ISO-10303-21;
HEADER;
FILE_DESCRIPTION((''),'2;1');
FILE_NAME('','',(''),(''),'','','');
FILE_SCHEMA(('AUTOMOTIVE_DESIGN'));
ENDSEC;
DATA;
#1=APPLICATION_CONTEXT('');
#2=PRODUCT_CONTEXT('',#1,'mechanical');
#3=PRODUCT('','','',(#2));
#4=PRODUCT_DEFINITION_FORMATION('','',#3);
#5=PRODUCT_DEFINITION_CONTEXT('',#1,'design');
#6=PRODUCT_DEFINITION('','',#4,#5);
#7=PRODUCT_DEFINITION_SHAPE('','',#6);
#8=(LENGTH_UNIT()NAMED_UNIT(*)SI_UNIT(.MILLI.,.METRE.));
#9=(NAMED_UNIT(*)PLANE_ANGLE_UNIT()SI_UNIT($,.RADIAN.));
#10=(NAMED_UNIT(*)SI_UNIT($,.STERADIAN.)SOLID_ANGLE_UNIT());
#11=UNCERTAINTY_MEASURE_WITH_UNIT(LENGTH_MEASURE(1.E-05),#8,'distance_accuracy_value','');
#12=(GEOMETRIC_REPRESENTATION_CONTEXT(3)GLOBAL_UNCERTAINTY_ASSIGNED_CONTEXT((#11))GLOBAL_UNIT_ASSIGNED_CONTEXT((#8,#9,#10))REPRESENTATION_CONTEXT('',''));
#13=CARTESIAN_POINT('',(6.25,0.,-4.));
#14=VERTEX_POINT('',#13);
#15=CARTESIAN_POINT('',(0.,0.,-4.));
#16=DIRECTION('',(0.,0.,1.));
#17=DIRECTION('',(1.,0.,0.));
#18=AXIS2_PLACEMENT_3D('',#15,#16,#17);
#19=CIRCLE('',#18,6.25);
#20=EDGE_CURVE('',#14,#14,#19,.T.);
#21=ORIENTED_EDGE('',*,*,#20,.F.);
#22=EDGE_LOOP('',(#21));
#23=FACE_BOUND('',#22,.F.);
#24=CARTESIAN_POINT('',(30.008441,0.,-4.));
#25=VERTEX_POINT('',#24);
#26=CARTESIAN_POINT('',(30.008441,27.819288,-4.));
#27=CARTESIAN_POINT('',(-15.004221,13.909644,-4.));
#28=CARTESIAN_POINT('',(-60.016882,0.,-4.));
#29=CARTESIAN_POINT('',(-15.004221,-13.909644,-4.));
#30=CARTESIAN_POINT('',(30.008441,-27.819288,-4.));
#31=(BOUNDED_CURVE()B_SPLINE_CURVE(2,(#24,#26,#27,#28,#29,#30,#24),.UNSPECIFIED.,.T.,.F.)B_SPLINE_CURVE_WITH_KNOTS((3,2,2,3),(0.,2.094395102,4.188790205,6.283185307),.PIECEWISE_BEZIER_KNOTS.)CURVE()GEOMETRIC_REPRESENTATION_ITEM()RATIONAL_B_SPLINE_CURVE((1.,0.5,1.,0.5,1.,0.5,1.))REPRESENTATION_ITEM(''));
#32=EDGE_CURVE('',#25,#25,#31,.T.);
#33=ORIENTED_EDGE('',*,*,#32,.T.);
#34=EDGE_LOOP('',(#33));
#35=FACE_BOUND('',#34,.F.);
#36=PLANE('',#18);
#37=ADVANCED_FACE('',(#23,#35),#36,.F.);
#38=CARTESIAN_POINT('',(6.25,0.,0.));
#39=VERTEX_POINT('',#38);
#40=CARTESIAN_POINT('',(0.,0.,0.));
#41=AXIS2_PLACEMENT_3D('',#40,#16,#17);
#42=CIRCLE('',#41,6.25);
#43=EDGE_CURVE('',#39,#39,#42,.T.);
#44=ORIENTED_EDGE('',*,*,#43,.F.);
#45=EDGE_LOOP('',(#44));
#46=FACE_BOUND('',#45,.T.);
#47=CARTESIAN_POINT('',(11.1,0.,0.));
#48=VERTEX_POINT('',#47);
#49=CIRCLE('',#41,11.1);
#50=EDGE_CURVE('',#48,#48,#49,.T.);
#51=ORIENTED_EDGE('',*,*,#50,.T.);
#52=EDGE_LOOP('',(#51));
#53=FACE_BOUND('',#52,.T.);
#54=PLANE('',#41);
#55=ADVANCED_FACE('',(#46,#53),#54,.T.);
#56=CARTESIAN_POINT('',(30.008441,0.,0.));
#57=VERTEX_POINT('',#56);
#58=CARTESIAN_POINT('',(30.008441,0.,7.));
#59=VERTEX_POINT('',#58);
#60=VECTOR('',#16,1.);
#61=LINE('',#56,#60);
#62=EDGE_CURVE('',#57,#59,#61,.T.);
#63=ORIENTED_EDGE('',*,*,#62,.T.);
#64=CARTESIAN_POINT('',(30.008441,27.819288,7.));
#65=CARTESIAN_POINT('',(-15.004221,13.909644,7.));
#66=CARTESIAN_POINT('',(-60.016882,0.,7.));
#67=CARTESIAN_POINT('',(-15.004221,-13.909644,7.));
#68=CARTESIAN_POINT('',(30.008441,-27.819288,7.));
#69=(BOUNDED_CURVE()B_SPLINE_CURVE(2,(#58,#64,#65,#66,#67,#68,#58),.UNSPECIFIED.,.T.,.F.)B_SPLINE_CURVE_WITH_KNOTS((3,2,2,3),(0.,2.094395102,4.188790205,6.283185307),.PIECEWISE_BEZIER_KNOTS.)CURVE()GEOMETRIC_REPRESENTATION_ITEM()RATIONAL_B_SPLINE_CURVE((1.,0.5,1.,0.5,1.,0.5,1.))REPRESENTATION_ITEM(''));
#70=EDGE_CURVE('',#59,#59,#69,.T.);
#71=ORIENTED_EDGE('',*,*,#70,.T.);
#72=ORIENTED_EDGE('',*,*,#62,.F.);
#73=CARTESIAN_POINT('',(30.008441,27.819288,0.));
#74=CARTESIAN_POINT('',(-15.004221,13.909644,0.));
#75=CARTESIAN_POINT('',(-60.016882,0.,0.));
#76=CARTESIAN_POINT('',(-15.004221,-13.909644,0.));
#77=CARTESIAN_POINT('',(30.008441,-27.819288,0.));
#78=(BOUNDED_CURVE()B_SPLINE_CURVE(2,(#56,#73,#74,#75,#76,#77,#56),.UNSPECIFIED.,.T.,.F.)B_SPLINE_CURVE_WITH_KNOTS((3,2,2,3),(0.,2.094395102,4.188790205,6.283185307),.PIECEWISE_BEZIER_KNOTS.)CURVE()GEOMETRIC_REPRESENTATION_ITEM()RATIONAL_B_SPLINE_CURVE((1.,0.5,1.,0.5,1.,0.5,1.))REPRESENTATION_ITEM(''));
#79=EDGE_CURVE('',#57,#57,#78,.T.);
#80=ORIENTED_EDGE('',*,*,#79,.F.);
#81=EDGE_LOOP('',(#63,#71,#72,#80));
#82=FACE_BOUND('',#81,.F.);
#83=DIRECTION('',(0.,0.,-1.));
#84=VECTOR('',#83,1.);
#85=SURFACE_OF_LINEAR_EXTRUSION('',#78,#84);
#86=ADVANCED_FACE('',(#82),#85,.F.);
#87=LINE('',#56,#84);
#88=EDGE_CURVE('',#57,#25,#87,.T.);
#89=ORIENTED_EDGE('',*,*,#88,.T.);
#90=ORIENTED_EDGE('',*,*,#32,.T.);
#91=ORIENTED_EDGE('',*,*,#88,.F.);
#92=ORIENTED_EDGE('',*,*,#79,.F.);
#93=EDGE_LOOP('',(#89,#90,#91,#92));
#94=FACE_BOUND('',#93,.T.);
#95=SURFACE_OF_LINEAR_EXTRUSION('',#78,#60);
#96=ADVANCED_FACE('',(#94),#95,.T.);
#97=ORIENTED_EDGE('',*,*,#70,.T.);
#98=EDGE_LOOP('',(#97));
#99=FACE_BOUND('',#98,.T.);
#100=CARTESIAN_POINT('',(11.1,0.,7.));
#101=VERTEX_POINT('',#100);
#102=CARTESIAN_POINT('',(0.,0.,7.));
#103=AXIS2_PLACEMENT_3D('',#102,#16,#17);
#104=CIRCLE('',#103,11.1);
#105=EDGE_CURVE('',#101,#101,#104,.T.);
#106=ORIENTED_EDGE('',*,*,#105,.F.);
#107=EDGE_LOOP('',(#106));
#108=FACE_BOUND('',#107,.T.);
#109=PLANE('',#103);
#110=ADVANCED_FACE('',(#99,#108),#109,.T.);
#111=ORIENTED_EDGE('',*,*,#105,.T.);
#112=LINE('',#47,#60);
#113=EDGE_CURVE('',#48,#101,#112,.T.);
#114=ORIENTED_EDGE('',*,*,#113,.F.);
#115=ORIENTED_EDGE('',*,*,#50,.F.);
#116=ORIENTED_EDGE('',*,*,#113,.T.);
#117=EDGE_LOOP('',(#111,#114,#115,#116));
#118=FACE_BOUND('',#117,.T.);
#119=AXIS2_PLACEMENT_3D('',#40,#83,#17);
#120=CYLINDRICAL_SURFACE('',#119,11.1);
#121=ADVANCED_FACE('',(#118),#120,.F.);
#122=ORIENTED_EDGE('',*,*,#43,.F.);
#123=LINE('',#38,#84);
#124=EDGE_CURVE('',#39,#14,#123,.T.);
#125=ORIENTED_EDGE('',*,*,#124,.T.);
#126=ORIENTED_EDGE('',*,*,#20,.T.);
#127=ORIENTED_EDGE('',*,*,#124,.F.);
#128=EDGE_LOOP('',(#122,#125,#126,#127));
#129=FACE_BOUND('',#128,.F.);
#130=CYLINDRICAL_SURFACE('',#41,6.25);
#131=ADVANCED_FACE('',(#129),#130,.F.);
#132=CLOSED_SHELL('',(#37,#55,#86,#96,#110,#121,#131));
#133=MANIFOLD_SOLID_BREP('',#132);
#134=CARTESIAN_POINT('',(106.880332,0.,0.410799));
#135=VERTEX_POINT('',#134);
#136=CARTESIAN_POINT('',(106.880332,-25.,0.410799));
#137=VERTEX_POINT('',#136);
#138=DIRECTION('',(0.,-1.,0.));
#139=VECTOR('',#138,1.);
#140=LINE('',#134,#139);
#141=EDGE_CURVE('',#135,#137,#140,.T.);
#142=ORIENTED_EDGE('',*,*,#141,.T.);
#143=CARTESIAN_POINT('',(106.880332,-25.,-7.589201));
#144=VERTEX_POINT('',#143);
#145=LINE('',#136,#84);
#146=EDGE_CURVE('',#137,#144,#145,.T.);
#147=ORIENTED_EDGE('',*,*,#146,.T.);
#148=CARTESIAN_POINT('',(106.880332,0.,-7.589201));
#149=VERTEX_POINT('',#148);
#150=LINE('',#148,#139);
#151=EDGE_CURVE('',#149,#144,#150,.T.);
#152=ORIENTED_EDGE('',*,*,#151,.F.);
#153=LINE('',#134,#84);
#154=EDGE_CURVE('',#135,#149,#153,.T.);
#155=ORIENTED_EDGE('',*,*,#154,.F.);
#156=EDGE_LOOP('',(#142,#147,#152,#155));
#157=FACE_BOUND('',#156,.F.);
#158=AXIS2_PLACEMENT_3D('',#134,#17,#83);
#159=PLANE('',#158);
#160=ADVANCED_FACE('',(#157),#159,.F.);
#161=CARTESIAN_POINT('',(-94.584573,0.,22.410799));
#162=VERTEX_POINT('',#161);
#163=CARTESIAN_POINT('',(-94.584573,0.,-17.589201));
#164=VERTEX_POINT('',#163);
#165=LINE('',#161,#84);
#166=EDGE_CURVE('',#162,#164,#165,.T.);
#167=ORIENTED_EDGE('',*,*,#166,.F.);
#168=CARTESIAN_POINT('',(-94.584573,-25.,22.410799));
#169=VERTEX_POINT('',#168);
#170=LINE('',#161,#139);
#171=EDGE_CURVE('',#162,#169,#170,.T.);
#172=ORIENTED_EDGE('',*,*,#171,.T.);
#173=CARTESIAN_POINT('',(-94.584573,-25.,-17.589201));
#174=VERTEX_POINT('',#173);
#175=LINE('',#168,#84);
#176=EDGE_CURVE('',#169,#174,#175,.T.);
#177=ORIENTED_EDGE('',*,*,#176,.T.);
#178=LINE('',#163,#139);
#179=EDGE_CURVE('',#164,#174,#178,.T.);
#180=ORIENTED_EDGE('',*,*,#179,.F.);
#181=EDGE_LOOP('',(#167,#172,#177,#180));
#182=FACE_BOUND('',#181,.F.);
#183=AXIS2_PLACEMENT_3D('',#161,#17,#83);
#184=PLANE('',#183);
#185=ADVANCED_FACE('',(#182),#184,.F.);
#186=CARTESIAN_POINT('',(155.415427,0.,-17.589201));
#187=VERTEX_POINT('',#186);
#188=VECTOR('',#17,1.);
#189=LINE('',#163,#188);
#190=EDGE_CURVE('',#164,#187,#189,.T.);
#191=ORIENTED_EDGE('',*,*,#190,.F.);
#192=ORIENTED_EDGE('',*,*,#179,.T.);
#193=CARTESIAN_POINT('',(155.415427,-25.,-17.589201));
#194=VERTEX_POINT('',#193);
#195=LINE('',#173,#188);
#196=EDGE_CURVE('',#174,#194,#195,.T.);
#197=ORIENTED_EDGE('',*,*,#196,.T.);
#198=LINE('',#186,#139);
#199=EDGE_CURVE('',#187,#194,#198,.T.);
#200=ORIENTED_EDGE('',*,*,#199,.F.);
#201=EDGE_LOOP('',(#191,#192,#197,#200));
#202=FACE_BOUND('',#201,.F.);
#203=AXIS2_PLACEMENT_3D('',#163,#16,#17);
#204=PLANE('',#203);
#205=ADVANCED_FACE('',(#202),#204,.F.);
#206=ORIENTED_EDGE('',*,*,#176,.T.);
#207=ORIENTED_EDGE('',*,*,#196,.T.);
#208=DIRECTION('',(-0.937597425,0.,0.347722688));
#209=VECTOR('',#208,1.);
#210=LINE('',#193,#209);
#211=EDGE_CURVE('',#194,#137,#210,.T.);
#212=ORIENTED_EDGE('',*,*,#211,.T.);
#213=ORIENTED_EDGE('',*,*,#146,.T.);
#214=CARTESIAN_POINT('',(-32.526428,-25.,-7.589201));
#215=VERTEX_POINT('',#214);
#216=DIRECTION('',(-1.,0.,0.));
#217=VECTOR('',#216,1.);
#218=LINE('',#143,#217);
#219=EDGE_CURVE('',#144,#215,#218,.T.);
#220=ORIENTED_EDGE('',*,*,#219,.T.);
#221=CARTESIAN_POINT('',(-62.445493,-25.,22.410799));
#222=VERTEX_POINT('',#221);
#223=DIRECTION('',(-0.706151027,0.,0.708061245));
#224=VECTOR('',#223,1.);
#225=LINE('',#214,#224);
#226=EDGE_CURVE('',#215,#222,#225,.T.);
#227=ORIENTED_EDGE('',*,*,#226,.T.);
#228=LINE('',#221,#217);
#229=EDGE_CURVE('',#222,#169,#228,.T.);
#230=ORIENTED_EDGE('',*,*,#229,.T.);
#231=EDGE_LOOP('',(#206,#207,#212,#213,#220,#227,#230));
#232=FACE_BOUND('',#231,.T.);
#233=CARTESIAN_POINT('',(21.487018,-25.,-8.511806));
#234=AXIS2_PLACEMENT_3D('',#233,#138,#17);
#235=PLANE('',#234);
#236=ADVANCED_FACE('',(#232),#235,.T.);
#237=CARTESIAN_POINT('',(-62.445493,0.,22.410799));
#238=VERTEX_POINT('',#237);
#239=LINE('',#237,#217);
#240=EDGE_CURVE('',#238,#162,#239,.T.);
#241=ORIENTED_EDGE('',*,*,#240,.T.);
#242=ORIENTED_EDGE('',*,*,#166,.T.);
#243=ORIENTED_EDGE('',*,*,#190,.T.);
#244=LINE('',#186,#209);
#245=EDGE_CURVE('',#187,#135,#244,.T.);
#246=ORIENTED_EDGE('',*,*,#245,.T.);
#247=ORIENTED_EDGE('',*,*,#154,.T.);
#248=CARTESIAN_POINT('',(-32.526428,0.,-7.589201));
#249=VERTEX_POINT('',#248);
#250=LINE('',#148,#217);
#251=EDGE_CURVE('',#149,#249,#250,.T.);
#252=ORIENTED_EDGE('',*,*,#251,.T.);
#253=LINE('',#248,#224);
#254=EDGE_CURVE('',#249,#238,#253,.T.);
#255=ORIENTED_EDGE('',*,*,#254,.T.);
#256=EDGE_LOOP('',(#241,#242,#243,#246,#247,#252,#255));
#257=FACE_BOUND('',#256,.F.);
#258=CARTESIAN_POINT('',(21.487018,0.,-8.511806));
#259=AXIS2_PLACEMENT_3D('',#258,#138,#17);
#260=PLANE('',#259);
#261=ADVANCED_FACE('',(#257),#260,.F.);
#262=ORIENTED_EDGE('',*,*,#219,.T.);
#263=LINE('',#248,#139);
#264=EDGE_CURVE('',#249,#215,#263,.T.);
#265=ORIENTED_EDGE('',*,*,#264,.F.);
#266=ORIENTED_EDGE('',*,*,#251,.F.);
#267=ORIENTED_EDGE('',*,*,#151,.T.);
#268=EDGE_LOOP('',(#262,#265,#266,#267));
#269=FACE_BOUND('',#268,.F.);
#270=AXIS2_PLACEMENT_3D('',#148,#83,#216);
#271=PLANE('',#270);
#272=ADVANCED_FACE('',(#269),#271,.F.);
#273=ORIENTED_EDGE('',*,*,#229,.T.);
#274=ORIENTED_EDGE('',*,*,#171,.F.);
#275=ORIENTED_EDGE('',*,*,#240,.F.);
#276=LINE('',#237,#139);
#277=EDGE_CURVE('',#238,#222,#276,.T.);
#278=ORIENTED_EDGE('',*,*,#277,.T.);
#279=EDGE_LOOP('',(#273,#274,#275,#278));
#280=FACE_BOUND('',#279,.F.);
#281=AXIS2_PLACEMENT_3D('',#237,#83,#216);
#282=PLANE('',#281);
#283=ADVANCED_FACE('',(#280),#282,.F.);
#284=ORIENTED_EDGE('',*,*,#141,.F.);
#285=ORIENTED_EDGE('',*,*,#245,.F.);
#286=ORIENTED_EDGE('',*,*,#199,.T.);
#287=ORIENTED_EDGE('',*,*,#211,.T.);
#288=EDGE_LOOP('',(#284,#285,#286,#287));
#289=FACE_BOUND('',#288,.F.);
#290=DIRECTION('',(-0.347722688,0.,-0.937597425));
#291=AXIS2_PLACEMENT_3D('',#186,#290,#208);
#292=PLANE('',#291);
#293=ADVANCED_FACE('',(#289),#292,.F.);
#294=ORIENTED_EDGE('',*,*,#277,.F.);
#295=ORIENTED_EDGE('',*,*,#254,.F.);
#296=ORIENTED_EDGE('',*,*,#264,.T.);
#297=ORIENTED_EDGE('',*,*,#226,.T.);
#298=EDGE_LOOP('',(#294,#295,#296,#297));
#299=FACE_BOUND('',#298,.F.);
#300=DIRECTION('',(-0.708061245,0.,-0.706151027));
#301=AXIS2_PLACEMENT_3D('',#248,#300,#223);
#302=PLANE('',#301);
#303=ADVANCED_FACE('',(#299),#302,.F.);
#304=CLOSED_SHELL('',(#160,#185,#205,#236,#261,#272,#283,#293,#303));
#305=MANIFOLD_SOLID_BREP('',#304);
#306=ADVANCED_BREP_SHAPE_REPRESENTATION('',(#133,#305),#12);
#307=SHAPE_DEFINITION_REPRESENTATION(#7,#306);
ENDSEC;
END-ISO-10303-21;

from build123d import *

# Parameters (mm, degrees)
F0_R     = 11.1
F1_DEPTH = 7
F0_R_2   = 6.25
F2_DEPTH = 4
F4_DEPTH = 25


with BuildPart() as f1:
    # F0 (on Top) → F1 (new body)
    with BuildSketch(Plane.XY):
        with BuildLine():
            add(Edge.make_bspline(
                [(30.008441139, 0), (30.008441139, 27.8192877463), (-15.0042205695, 13.9096438731), (-60.0168822779, 0), (-15.0042205695, -13.9096438731), (30.008441139, -27.8192877463), (30.008441139, 0)],
                knots=[0, 0, 0, 2.0943951024, 2.0943951024, 4.1887902048, 4.1887902048, 6.2831853072, 6.2831853072, 6.2831853072], degree=2, weights=[1, 0.5, 1, 0.5, 1, 0.5, 1]))
        make_face()
        Circle(F0_R, mode=Mode.SUBTRACT)
    extrude(amount=F1_DEPTH)

    # F0 (on Top) → F2 (join)
    with BuildSketch(Plane.XY):
        with BuildLine():
            add(Edge.make_bspline(
                [(30.008441139, 0), (30.008441139, 27.8192877463), (-15.0042205695, 13.9096438731), (-60.0168822779, 0), (-15.0042205695, -13.9096438731), (30.008441139, -27.8192877463), (30.008441139, 0)],
                knots=[0, 0, 0, 2.0943951024, 2.0943951024, 4.1887902048, 4.1887902048, 6.2831853072, 6.2831853072, 6.2831853072], degree=2, weights=[1, 0.5, 1, 0.5, 1, 0.5, 1]))
        make_face()
        Circle(F0_R, mode=Mode.SUBTRACT)
        Circle(F0_R)
        Circle(F0_R_2, mode=Mode.SUBTRACT)
    extrude(amount=-F2_DEPTH)


with BuildPart() as f4:
    # F3 (on Front) → F4 (new body)
    with BuildSketch(Plane.XZ):
        Polygon((106.8803320902, -7.5892007072), (-32.526427851, -7.5892007072), (-62.4454933861, 22.4107992928), (-94.5845730603, 22.4107992928), (-94.5845730603, -17.5892007072), (155.4154269397, -17.5892007072), (106.8803320902, 0.4107992928), align=None)
    extrude(amount=F4_DEPTH)


solid = Compound([f1.part, f4.part])
